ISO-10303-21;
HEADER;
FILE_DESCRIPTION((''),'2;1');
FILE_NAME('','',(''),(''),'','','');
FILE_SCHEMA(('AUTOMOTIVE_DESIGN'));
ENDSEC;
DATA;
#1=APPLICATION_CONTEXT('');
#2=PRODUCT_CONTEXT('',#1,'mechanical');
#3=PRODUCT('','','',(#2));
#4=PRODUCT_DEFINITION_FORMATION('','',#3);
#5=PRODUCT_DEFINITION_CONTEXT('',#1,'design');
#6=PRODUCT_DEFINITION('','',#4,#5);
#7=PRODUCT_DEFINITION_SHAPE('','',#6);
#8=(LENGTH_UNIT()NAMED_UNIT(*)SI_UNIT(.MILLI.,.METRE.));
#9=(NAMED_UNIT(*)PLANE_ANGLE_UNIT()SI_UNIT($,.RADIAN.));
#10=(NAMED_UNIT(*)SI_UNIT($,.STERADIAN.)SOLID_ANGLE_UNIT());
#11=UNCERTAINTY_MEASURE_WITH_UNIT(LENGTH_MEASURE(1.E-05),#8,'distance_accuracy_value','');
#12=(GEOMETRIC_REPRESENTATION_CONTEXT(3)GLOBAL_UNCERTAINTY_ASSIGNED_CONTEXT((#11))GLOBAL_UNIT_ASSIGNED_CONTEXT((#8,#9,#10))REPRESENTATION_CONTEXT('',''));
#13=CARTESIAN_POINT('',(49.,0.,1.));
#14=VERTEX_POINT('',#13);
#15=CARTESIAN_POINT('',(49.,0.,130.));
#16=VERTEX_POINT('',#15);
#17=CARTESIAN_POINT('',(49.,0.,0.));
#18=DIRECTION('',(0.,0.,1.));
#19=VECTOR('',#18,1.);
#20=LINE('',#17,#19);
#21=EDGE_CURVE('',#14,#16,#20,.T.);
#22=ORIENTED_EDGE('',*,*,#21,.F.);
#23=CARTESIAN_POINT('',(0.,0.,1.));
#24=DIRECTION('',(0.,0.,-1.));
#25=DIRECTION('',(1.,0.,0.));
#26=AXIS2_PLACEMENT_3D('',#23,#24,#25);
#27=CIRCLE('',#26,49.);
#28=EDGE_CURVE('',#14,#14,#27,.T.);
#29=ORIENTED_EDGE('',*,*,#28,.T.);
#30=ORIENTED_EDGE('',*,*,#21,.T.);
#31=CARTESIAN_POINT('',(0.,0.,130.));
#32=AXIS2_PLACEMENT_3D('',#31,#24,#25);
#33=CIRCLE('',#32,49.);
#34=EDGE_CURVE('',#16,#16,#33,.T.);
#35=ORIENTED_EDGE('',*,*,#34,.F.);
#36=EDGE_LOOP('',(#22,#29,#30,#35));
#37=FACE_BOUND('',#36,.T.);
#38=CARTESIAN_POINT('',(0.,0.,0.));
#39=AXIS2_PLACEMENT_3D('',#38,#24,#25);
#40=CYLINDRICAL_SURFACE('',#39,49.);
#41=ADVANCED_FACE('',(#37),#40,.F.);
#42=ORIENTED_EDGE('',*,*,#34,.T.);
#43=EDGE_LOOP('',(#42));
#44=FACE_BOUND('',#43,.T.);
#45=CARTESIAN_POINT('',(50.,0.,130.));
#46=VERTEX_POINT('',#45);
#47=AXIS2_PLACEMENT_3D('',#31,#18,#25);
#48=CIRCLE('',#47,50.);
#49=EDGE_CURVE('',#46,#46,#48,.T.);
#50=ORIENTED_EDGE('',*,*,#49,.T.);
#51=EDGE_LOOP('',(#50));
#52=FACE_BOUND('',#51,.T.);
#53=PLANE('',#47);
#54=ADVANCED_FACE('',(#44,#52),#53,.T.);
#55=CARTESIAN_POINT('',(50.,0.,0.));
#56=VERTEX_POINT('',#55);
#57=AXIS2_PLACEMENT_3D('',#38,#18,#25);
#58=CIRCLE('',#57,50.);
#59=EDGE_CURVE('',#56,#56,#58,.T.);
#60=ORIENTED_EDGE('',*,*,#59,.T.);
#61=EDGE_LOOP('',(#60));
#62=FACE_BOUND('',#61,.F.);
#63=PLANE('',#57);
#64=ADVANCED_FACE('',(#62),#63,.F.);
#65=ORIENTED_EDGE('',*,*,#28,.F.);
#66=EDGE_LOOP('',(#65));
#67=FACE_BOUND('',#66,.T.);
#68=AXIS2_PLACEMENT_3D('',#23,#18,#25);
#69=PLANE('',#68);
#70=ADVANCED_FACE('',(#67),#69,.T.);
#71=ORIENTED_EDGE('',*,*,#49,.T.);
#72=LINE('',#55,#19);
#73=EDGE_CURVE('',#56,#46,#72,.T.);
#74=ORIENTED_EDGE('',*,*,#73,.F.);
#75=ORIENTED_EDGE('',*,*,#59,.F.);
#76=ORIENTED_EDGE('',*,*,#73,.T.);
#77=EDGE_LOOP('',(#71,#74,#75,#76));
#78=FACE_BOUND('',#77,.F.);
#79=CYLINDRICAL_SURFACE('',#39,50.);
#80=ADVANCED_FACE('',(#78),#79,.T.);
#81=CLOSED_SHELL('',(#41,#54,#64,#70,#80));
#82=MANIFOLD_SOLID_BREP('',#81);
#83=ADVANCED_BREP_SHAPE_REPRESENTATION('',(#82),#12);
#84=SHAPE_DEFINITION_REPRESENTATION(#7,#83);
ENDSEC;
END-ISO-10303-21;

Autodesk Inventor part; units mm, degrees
ref_plane "YZ Plane" through (0, 0, 0) normal (1, 0, 0) x (0, 1, 0)
ref_plane "XZ Plane" through (0, 0, 0) normal (0, 1, 0) x (-1, 0, 0)
ref_plane "XY Plane" through (0, 0, 0) normal (0, 0, 1) x (1, 0, 0)
sketch "Sketch1" plane through (0, 0, 0) normal (0, 0, 1) x (1, 0, 0)
  circle A0 centre (0, 0) radius 50
  dimension "d0" = 100
extrude "Extrusion1" add sketch "Sketch1" along normal blind 130
shell "Shell1" thickness 1 removed faces 1 at (1.8167, -0.3614, 130)
properties part number "container 2"
